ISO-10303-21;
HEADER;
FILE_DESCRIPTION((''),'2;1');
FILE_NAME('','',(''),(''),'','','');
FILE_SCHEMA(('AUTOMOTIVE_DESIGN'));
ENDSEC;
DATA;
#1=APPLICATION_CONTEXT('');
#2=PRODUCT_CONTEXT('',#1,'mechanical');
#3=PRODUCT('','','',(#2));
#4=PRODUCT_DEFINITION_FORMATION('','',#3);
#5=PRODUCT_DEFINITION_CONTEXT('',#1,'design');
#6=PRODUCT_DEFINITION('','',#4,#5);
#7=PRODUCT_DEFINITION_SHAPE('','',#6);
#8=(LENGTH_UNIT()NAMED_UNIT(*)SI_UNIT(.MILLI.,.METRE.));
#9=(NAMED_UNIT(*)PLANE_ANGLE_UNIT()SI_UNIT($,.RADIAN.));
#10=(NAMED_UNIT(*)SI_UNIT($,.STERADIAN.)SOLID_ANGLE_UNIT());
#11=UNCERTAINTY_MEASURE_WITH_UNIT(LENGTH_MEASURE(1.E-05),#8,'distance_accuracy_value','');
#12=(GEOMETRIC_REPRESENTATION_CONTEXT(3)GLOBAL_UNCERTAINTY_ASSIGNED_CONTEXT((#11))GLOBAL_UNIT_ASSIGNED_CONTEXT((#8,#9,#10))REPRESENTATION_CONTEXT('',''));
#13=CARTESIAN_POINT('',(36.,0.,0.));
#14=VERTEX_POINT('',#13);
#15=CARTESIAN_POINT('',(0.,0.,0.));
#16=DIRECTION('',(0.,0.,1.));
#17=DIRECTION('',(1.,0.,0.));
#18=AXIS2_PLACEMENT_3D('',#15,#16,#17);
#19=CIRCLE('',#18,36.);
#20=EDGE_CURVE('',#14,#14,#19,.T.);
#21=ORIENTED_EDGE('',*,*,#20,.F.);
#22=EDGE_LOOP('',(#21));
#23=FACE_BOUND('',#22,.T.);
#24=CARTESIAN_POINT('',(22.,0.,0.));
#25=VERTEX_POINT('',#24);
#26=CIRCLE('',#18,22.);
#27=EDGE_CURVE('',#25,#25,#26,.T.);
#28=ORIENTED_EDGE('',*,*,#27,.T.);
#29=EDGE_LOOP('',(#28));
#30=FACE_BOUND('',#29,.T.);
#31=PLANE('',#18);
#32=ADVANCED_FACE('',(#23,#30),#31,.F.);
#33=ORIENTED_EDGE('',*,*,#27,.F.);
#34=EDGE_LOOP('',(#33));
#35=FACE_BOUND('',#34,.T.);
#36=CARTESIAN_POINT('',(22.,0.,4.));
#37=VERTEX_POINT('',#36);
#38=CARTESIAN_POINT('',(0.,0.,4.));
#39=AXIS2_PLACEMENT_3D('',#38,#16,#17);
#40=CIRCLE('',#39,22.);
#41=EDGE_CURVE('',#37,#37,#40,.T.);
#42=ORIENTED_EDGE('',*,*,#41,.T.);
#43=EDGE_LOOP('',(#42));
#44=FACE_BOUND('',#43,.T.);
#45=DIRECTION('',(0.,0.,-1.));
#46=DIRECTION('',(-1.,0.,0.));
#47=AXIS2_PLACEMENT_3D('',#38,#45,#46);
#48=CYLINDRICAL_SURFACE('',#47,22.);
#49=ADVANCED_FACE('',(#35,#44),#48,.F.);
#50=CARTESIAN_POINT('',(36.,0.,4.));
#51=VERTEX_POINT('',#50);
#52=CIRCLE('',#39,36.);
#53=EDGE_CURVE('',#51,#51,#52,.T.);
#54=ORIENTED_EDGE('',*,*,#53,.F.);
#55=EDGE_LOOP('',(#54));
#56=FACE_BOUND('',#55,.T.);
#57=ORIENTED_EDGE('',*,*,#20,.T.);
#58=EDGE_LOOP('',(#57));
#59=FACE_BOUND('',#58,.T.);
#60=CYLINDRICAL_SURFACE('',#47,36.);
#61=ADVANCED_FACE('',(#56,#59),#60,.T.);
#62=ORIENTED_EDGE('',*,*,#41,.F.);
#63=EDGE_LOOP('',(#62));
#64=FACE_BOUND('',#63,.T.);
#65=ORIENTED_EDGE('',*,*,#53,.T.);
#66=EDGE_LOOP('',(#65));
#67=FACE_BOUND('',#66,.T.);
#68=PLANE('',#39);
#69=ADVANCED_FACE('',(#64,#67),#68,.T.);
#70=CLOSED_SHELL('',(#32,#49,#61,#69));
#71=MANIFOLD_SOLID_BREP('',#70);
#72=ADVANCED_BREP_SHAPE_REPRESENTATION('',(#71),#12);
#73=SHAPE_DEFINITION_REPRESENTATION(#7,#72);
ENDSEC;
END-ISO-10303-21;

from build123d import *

# Parameters (mm, degrees)
SKETCH_1_R      = 36
SKETCH_1_R_2    = 22
EXTRUDE_1_DEPTH = 4


with BuildPart() as part:
    # Эскиз1 → Бобышка-Вытянуть1 (new body)
    with BuildSketch(Plane.XY):
        Circle(SKETCH_1_R)
        Circle(SKETCH_1_R_2, mode=Mode.SUBTRACT)
    extrude(amount=EXTRUDE_1_DEPTH)


solid = part.part
